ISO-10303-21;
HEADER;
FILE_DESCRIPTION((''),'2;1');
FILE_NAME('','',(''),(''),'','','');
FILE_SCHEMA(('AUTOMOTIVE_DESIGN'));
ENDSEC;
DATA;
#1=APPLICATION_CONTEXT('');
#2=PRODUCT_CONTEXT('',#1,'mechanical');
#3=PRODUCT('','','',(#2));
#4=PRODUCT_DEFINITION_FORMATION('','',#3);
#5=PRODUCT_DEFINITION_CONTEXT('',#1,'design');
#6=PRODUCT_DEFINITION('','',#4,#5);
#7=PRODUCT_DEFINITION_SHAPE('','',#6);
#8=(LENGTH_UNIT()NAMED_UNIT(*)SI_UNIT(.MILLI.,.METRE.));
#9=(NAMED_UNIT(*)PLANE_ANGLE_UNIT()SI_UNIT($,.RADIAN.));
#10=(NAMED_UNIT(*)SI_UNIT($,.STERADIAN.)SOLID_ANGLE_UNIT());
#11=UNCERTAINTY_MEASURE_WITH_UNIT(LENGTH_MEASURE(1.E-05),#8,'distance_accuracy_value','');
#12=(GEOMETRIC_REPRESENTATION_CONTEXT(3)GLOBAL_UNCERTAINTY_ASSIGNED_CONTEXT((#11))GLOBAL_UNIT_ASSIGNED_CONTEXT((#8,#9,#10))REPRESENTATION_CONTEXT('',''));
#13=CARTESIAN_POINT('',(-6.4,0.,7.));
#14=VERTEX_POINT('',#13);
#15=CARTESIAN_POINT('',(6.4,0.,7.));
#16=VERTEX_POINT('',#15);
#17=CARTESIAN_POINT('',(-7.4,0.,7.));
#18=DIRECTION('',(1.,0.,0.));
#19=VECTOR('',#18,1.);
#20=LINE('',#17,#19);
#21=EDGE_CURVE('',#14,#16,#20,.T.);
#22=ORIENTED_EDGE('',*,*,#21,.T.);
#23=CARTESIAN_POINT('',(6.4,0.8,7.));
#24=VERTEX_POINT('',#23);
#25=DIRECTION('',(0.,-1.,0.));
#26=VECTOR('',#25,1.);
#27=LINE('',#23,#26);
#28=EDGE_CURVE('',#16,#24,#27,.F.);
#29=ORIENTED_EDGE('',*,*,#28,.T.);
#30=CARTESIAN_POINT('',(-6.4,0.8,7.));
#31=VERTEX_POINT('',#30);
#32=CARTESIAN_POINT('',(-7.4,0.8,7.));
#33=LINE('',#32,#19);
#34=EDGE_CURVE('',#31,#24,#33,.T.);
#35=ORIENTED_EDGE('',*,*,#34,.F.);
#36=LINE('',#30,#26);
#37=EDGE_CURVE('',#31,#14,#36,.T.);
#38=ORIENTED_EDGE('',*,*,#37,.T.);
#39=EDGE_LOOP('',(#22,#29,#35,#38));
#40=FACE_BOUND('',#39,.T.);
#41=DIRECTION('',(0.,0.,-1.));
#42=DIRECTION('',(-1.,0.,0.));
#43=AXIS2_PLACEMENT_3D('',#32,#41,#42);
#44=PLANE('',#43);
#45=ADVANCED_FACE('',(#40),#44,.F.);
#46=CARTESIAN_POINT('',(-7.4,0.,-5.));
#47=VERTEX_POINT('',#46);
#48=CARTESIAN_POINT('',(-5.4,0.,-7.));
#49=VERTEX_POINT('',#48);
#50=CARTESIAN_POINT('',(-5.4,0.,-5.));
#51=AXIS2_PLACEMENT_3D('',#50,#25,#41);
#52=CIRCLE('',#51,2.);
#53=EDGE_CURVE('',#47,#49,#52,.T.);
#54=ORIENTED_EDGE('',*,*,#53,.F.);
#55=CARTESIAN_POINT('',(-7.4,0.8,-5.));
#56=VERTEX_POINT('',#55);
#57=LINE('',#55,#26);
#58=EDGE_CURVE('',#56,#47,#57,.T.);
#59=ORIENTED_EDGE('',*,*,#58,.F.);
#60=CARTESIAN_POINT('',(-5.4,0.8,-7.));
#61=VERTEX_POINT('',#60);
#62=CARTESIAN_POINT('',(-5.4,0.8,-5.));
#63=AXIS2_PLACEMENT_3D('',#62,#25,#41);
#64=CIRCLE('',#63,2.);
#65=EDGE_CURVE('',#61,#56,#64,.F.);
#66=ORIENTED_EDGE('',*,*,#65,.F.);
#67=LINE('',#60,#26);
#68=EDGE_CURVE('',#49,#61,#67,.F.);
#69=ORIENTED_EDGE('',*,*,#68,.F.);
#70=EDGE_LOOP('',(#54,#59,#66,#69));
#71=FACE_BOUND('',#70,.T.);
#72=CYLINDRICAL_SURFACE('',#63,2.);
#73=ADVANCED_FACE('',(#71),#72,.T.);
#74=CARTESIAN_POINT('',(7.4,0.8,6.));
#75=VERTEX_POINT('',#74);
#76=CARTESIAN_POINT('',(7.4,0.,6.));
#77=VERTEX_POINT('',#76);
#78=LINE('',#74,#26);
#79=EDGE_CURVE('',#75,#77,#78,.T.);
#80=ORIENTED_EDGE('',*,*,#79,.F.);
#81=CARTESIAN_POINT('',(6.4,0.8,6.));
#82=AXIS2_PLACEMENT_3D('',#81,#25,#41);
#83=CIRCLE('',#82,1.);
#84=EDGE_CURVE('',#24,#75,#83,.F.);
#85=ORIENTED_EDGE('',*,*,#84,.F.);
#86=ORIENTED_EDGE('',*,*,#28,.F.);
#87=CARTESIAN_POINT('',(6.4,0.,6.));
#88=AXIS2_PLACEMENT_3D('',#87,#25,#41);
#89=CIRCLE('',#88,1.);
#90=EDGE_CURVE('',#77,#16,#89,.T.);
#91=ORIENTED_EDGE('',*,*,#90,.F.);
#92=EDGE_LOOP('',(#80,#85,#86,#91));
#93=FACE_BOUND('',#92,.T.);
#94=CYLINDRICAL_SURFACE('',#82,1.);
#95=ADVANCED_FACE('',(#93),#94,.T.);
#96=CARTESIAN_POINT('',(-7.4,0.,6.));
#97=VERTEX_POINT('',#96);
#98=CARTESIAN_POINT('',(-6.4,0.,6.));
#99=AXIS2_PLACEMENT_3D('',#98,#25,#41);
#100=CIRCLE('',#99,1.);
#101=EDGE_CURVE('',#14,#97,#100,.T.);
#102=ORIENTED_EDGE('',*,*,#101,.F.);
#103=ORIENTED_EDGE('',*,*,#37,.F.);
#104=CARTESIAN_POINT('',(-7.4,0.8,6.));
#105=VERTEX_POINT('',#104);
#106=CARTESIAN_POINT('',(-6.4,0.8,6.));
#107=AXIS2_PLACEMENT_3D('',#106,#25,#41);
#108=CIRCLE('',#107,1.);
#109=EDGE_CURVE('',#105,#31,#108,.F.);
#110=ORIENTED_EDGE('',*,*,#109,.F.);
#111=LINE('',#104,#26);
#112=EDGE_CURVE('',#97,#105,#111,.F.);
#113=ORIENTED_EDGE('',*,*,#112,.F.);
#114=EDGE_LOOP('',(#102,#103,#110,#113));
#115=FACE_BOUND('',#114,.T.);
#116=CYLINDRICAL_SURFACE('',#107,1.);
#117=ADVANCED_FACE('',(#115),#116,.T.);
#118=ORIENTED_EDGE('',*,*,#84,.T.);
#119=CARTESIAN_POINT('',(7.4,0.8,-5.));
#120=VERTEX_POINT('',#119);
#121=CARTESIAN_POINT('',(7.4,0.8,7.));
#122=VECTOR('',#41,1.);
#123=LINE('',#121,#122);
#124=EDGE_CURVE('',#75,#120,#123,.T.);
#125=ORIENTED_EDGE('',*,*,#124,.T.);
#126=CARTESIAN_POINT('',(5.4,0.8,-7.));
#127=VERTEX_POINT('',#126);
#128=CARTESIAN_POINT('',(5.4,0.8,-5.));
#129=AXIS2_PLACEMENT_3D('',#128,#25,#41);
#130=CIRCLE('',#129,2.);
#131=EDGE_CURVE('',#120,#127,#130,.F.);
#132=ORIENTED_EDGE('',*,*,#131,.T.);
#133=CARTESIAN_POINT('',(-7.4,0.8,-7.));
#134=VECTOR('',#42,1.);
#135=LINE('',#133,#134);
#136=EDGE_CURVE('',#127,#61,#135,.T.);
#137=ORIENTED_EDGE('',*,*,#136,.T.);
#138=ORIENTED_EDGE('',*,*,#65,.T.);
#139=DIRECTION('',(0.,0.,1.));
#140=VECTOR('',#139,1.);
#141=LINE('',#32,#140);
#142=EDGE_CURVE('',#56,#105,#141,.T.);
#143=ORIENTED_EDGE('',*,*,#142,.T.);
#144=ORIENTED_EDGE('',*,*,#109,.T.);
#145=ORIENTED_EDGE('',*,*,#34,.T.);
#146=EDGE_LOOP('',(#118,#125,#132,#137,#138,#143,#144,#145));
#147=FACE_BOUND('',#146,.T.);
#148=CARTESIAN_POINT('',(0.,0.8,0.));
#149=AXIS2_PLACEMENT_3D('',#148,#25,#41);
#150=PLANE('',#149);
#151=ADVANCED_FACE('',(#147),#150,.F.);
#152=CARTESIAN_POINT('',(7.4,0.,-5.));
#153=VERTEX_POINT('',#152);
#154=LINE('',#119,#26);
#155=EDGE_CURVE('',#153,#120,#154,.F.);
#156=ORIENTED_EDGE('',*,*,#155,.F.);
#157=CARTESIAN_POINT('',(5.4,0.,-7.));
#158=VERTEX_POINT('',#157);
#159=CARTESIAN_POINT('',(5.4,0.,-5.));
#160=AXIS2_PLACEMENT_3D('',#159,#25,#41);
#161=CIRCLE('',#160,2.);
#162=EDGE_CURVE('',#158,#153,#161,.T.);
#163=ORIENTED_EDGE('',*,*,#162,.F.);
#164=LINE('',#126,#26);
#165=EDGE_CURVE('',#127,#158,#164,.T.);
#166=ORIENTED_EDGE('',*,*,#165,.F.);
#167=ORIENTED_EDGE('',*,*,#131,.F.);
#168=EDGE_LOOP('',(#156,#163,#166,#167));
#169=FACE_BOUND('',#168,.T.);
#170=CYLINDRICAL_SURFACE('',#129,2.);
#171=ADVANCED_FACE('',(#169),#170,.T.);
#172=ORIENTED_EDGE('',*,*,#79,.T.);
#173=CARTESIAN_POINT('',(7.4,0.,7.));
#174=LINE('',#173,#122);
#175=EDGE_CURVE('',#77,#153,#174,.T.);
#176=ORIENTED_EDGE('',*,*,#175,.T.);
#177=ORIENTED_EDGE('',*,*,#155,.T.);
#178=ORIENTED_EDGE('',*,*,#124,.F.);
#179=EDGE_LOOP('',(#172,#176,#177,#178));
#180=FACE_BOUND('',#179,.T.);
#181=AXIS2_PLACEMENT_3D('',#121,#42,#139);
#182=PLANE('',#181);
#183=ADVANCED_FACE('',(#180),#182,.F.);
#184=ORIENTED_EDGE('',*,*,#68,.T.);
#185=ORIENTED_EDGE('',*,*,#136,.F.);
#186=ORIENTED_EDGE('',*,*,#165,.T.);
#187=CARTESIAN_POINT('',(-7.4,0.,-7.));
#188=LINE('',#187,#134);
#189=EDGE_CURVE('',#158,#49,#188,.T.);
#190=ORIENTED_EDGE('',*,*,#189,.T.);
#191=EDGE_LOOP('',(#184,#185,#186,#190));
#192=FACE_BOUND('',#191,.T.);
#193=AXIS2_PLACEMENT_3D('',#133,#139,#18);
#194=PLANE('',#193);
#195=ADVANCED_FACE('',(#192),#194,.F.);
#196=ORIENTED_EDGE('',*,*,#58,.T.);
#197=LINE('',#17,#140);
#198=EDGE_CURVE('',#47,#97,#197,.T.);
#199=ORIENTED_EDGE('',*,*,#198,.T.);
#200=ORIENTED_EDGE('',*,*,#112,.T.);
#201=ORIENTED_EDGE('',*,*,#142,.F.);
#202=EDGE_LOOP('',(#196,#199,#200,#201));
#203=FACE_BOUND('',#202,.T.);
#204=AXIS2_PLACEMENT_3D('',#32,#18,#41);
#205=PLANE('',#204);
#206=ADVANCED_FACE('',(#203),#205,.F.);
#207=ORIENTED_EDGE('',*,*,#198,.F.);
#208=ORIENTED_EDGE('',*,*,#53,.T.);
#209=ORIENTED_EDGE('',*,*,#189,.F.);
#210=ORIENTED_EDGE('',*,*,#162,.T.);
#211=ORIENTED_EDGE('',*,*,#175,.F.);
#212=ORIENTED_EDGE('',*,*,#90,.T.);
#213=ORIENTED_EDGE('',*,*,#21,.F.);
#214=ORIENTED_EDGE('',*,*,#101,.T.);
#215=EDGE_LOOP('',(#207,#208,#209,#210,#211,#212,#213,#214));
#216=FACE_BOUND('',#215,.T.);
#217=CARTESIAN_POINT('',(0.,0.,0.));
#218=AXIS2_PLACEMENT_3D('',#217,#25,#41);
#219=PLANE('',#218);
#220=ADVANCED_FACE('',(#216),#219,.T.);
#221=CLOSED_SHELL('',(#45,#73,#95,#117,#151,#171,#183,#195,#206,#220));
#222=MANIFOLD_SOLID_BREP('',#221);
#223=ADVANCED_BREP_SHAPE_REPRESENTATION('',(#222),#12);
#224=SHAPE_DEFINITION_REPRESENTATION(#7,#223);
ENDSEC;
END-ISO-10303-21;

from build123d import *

# Parameters (mm, degrees)
SKETCH1_W           = 14.8
SKETCH1_H           = 14
BOSS_EXTRUDE1_DEPTH = 0.8
FILLET1_R           = 2
FILLET2_R           = 1


with BuildPart() as part:
    # Sketch1 → Boss-Extrude1 (new body)
    with BuildSketch(Plane(origin=(0, 0, 0), x_dir=(1, 0, 0), z_dir=(0, 1, 0))):
        Rectangle(SKETCH1_W, SKETCH1_H)
    extrude(amount=BOSS_EXTRUDE1_DEPTH)

    # Fillet1
    fillet1_edges = [part.edges().sort_by_distance(p)[0] for p in [
        (-7.4, 0.4, -7),
        (7.4, 0.4, -7),
    ]]
    fillet(fillet1_edges, radius=FILLET1_R)

    # Fillet2
    fillet2_edges = [part.edges().sort_by_distance(p)[0] for p in [
        (7.4, 0.4, 7),
        (-7.4, 0.4, 7),
    ]]
    fillet(fillet2_edges, radius=FILLET2_R)


solid = part.part
